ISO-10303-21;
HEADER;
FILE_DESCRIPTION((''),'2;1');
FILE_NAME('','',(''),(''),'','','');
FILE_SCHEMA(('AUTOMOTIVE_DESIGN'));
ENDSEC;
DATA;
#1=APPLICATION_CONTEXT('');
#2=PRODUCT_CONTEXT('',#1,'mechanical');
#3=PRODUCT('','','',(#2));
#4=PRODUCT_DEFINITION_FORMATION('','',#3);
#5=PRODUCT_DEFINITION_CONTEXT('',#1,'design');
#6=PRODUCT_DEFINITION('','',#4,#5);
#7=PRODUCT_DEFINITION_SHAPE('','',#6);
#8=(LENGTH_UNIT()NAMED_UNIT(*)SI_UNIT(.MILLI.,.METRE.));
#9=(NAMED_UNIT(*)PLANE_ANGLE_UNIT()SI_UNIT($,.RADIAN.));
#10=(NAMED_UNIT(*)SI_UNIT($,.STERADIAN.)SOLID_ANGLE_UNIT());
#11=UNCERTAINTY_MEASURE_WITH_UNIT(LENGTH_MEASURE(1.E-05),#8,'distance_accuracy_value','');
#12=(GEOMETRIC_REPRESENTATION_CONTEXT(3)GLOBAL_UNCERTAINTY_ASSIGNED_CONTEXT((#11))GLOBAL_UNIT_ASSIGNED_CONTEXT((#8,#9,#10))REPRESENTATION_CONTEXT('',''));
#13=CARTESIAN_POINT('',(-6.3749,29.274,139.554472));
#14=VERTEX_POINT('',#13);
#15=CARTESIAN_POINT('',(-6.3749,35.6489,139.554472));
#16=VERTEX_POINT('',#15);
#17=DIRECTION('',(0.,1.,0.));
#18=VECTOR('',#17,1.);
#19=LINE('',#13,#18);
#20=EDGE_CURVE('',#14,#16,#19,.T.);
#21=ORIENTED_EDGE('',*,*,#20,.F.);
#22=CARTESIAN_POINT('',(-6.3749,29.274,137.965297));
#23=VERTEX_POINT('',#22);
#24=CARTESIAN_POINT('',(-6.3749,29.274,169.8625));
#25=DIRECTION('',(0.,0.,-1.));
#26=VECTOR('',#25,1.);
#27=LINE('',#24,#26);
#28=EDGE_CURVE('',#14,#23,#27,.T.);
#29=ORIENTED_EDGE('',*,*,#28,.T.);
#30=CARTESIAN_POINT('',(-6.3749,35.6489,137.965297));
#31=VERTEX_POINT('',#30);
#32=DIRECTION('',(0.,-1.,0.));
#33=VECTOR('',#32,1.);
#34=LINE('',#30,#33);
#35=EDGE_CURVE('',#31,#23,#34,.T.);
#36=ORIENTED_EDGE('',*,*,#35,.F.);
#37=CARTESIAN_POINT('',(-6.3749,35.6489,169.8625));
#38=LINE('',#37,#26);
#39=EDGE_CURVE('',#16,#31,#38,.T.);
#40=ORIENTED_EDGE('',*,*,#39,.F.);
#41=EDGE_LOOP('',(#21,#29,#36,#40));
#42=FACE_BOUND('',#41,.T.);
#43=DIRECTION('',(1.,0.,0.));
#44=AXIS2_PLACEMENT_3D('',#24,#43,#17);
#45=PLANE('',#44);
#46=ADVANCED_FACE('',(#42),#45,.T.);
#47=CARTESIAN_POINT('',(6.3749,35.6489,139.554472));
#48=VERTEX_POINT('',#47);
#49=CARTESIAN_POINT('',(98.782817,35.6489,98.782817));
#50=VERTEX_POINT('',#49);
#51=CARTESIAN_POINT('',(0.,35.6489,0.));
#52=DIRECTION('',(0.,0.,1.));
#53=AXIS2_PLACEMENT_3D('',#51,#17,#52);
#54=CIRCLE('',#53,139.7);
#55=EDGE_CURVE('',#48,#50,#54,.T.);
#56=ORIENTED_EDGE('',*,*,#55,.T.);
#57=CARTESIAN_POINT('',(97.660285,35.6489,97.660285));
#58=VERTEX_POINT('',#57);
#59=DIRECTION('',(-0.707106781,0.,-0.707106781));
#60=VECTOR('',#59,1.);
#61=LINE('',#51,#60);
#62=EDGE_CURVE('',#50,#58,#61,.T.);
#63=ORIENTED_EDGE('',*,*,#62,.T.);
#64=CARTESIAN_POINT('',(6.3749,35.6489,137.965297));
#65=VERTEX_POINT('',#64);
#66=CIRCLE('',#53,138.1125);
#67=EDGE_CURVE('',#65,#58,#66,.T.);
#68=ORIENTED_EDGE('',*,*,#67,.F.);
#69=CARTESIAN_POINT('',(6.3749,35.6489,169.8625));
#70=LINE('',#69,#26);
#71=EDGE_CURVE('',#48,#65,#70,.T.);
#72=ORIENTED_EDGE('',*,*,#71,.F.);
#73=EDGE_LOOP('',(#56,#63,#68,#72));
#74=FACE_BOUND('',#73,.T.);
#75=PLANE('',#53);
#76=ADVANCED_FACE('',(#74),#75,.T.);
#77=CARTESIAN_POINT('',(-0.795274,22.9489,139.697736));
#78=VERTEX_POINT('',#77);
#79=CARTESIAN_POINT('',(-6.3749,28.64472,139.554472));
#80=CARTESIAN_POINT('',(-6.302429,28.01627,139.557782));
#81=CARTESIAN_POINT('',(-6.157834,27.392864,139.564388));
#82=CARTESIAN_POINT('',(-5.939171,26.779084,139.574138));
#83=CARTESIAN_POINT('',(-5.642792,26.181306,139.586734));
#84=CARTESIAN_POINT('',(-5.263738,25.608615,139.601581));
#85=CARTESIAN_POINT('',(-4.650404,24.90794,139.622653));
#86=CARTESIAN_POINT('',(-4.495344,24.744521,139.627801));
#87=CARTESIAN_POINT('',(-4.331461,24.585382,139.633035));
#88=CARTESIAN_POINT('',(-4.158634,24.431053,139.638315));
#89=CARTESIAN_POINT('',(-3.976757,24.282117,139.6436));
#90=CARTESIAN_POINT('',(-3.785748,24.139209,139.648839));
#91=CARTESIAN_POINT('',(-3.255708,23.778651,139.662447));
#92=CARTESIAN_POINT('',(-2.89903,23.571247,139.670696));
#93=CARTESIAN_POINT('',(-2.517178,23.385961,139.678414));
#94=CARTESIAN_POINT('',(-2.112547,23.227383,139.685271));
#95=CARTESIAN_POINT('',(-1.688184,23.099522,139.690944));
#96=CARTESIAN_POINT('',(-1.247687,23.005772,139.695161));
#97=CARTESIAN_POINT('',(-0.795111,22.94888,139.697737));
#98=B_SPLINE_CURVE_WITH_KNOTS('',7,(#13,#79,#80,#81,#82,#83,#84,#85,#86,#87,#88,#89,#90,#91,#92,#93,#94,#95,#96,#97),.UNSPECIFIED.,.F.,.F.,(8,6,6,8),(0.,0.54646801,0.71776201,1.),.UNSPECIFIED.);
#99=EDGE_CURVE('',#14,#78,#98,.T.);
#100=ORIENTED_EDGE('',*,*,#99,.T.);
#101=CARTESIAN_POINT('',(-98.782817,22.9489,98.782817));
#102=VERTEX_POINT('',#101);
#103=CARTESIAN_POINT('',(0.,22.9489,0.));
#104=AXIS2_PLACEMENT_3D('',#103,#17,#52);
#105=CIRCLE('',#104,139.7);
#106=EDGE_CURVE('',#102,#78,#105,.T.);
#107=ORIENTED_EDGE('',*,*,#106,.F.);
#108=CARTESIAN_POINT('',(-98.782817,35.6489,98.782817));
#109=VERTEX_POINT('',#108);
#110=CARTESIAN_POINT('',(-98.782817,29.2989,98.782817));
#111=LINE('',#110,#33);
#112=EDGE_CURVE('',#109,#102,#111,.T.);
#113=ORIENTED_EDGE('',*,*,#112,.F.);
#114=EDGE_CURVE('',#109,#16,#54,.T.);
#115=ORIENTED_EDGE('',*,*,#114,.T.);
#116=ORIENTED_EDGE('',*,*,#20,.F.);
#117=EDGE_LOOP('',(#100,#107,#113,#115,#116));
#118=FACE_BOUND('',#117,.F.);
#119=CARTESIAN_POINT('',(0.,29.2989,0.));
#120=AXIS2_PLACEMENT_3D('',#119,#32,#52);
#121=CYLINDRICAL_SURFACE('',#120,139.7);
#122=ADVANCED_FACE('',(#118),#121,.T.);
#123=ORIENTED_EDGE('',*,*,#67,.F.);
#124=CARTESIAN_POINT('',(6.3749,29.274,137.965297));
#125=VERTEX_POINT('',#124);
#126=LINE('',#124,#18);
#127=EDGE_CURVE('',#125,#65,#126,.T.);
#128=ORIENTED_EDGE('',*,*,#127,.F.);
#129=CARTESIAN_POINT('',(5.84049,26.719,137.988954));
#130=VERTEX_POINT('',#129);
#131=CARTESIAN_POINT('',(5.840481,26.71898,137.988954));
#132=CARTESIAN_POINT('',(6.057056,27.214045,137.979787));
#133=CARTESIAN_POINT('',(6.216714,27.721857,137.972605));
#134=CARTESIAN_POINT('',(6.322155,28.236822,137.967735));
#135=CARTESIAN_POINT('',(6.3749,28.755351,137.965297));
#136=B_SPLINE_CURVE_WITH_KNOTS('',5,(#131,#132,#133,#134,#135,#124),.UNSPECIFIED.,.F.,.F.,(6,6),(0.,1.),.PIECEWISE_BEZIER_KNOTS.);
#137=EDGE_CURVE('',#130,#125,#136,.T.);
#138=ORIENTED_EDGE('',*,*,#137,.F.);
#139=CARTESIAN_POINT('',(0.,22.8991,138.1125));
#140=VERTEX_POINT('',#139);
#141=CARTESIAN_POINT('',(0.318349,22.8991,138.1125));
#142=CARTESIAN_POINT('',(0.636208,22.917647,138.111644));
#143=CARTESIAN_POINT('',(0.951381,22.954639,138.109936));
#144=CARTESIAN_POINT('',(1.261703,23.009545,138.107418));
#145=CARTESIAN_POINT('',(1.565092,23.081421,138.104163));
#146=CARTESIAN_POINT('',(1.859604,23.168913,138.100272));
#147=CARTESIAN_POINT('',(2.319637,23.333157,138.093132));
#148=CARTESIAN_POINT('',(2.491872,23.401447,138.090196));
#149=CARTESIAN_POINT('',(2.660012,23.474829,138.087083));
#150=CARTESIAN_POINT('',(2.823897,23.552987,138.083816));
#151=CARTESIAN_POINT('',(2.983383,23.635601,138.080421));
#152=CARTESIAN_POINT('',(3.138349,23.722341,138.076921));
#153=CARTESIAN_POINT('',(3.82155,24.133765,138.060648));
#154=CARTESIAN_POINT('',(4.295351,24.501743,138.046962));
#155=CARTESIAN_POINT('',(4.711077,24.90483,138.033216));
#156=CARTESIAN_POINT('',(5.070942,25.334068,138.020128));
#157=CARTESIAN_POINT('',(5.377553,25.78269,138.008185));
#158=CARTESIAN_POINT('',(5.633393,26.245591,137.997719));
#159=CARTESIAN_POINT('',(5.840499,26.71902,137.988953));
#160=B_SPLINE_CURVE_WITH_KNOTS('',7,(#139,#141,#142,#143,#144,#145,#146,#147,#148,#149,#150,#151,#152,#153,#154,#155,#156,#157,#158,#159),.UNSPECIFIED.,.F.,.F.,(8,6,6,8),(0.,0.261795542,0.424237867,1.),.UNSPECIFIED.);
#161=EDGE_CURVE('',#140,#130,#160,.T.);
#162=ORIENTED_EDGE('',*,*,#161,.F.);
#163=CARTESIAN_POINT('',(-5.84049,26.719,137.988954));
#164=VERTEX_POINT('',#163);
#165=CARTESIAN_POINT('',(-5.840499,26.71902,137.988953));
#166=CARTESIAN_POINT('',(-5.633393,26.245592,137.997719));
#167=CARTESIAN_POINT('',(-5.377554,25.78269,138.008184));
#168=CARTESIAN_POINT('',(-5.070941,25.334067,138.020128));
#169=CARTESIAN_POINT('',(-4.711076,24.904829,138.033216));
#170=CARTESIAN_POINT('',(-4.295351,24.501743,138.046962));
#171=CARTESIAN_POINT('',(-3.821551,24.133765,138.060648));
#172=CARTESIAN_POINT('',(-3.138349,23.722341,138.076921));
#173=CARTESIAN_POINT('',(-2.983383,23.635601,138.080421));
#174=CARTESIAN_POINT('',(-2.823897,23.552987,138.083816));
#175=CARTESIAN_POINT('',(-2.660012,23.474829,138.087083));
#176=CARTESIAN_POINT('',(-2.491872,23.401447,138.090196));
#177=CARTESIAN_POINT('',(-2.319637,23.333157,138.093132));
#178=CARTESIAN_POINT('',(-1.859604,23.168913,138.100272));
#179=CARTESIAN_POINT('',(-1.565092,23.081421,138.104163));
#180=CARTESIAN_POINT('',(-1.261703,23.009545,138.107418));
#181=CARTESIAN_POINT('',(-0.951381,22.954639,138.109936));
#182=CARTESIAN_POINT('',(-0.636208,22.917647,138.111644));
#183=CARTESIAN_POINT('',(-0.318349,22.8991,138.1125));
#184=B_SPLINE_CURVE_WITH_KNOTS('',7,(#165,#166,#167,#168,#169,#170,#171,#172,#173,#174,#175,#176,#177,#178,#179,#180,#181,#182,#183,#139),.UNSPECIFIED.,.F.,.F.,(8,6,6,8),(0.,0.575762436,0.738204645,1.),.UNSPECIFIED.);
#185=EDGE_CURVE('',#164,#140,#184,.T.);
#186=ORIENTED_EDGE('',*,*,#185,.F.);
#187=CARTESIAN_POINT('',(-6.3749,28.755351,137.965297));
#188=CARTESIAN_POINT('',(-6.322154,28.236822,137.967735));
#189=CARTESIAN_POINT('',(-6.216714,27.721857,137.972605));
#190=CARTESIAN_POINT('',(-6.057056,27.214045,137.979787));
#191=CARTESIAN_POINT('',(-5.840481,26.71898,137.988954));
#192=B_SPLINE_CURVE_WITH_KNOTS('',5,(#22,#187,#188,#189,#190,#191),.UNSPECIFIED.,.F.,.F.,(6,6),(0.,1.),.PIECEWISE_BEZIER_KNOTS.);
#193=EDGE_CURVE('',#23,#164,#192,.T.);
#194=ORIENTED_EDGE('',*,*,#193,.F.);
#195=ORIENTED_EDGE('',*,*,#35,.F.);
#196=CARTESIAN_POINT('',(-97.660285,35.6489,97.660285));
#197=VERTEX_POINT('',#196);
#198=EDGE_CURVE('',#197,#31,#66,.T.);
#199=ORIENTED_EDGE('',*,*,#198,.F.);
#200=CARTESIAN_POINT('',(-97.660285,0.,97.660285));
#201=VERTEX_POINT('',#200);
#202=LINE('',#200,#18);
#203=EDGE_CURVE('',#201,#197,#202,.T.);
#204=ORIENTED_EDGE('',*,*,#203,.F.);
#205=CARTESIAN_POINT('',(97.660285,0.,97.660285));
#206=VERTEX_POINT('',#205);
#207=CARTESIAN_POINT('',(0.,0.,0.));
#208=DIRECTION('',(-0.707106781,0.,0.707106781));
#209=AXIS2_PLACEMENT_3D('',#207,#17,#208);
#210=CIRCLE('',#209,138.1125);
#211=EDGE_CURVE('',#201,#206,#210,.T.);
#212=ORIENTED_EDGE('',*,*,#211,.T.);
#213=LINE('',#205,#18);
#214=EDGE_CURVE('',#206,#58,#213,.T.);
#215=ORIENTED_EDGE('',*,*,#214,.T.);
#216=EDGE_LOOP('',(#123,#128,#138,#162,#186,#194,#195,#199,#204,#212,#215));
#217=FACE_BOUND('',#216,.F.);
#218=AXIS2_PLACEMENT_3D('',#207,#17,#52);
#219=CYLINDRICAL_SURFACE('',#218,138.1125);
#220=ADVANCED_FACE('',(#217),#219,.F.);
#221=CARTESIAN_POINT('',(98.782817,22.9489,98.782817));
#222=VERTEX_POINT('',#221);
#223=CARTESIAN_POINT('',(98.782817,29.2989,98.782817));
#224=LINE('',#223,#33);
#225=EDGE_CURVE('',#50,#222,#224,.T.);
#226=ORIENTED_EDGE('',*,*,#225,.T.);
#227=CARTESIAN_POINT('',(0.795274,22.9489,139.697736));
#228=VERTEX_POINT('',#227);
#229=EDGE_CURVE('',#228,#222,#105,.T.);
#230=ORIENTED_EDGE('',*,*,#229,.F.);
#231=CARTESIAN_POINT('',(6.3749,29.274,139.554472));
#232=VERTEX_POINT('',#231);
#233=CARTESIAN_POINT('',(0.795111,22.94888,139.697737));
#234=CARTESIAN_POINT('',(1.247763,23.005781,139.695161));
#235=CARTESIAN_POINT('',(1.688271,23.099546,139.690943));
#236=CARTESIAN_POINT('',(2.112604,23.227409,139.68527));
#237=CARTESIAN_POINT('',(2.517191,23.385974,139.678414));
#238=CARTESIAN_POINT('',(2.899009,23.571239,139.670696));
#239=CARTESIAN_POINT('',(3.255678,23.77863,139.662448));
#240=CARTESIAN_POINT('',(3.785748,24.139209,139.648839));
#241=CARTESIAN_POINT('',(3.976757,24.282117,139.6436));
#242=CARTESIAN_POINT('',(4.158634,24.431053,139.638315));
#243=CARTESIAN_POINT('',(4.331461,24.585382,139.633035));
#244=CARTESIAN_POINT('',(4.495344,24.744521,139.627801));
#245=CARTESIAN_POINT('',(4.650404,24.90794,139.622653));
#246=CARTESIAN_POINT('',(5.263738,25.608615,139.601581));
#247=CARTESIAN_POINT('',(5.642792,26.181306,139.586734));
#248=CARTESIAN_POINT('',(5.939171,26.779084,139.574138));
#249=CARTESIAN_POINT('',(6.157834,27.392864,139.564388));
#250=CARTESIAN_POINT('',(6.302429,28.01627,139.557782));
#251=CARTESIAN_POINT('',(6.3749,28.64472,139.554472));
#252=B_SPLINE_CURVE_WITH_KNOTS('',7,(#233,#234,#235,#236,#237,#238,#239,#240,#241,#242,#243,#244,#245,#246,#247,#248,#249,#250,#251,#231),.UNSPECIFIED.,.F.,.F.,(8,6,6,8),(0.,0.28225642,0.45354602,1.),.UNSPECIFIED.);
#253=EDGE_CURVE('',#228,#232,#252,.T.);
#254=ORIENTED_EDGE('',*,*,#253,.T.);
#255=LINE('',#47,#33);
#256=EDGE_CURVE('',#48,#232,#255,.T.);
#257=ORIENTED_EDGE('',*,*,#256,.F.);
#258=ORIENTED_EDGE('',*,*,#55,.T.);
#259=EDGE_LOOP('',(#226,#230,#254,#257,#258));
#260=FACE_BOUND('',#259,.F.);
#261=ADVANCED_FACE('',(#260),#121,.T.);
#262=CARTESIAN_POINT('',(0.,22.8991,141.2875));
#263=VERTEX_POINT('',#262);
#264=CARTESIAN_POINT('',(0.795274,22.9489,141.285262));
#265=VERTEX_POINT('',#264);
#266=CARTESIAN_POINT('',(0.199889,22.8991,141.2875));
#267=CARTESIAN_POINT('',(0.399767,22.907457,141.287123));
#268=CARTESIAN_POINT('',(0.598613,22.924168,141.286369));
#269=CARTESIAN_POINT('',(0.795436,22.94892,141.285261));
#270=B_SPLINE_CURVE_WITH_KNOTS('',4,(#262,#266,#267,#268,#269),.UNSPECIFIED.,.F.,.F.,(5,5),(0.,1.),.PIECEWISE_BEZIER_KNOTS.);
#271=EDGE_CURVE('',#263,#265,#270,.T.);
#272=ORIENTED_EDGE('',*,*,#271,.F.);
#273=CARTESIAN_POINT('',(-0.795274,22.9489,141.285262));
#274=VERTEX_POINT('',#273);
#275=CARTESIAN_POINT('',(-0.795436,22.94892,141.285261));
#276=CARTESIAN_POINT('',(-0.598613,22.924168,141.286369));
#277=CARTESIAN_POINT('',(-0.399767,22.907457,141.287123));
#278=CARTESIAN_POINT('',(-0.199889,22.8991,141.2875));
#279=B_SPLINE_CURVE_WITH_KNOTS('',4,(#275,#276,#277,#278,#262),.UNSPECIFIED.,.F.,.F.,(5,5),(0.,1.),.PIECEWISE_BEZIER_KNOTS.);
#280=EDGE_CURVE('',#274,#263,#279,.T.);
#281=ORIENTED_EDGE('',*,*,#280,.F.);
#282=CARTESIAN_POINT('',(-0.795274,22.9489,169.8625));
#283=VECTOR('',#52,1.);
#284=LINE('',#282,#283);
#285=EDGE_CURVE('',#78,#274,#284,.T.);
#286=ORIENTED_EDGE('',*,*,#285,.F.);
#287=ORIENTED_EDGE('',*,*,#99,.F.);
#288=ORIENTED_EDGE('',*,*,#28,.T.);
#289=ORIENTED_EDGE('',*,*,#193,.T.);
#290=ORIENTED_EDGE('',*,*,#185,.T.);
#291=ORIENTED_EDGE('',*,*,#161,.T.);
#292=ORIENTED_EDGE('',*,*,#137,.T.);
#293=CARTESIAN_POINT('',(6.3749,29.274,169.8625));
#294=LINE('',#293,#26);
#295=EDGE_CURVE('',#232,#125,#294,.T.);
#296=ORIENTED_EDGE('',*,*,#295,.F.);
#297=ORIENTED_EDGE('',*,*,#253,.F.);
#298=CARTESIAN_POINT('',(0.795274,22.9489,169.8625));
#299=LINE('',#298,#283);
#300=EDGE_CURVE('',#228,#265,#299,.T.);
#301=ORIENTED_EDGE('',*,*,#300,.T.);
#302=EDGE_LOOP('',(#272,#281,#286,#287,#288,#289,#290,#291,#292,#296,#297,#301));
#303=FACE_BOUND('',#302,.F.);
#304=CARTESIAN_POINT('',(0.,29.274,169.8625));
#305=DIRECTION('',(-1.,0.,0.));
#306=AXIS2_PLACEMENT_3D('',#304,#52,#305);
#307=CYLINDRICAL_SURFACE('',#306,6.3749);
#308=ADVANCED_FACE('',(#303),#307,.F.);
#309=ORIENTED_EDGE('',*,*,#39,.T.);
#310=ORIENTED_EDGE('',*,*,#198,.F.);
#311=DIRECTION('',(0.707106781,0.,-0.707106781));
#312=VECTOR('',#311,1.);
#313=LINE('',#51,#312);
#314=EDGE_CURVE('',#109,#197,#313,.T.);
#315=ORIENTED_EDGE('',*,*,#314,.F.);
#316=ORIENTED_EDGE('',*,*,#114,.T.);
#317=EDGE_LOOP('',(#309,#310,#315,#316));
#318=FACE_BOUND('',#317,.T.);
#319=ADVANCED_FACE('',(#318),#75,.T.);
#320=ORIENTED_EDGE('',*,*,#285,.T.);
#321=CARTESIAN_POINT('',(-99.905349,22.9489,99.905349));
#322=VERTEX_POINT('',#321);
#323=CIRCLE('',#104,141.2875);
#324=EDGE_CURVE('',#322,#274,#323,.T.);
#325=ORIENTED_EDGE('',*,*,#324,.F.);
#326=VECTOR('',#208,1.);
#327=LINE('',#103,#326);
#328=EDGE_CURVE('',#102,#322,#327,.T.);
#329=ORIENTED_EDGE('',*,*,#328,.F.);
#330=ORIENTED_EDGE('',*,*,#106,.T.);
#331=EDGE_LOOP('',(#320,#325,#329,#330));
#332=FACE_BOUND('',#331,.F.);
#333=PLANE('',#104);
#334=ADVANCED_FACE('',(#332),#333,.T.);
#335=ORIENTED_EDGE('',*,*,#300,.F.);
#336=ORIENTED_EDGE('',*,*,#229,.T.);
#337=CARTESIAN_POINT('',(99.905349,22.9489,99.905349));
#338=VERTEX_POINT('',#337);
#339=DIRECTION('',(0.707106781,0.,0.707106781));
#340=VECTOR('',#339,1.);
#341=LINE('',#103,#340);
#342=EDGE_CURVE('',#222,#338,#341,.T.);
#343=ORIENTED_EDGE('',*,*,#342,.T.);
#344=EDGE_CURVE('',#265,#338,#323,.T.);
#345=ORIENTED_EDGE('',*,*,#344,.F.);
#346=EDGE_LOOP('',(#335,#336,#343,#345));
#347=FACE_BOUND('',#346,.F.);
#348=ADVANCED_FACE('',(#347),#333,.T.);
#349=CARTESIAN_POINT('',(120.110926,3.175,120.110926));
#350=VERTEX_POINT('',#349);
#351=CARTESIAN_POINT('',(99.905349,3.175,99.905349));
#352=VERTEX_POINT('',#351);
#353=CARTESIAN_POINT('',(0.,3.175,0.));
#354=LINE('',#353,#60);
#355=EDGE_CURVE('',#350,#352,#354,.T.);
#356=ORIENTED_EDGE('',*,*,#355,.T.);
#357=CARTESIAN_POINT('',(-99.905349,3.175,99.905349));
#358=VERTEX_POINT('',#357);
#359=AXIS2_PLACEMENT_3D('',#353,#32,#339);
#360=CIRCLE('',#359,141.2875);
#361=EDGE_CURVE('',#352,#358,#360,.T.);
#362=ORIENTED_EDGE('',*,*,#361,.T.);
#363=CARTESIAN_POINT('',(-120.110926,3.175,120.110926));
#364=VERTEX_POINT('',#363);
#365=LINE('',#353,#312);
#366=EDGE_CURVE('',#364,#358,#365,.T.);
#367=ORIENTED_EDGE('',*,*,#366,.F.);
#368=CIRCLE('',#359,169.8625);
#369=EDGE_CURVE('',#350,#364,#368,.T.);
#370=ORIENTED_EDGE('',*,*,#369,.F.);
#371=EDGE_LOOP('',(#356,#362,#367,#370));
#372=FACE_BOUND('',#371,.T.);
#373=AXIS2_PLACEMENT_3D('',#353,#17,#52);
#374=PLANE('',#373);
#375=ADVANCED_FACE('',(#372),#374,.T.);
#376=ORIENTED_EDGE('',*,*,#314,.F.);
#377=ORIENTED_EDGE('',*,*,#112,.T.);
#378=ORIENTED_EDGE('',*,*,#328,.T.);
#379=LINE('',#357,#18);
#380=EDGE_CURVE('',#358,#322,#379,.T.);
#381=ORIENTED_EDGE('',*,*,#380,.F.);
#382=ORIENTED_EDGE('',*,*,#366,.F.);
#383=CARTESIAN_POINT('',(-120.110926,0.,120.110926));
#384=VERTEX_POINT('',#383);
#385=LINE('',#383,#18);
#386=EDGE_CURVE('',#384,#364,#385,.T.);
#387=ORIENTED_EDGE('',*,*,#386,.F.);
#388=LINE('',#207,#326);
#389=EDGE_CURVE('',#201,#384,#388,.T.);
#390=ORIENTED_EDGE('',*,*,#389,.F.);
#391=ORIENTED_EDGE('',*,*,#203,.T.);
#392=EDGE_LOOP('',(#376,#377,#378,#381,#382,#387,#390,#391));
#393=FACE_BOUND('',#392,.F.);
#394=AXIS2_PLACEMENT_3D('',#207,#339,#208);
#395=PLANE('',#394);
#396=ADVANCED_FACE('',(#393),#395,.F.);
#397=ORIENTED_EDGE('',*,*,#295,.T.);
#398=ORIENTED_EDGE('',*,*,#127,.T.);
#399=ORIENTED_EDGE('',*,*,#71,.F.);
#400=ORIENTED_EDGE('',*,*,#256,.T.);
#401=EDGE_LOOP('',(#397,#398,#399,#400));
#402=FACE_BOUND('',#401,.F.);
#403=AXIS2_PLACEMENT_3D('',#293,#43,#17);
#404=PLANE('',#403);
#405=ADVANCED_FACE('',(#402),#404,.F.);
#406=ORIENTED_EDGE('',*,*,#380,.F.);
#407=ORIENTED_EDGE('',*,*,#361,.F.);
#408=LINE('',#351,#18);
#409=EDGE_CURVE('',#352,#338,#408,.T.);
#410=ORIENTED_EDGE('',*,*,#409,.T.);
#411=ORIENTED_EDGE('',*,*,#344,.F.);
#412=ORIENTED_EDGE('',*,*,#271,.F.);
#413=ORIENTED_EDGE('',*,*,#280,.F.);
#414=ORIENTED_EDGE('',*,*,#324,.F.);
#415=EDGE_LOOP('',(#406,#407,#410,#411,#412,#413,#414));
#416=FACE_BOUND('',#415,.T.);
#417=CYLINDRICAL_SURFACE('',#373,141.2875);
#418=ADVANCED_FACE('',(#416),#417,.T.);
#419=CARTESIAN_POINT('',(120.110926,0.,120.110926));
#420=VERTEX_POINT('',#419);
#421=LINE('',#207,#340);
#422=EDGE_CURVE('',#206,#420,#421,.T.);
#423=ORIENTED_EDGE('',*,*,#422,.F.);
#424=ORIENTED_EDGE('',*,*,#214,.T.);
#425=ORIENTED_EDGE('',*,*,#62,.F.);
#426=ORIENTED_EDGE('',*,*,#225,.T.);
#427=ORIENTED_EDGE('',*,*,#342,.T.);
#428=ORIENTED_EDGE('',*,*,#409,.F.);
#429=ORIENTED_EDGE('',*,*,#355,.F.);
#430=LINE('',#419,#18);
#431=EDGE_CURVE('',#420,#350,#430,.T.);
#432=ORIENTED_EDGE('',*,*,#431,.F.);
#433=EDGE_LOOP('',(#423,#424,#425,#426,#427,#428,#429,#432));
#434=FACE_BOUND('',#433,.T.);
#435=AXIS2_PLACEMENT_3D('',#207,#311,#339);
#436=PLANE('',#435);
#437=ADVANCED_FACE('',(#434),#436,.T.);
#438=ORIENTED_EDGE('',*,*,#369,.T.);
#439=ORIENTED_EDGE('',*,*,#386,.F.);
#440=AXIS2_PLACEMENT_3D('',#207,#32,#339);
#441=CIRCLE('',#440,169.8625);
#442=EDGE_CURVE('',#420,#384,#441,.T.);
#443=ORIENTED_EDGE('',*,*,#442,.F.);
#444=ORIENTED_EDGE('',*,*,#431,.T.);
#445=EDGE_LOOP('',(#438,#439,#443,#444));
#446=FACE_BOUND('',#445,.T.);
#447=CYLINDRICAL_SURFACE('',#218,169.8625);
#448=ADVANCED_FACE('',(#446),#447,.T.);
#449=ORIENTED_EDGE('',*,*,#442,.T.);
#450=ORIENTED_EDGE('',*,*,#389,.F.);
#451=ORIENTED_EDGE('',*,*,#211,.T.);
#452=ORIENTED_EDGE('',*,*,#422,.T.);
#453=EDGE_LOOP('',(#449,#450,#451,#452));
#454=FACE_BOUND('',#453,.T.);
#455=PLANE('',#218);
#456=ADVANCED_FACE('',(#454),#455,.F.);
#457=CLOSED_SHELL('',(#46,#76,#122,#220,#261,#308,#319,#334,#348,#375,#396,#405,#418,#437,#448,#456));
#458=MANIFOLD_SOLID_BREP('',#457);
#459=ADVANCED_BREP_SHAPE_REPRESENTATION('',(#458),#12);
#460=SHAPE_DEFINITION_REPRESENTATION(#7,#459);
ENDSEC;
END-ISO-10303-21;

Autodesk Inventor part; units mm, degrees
ref_plane "YZ Plane" through (0, 0, 0) normal (1, 0, 0) x (0, 1, 0)
ref_plane "XZ Plane" through (0, 0, 0) normal (0, 1, 0) x (-1, 0, 0)
ref_plane "XY Plane" through (0, 0, 0) normal (0, 0, 1) x (1, 0, 0)
sketch "Sketch1" plane through (0, 0, 0) normal (1, 0, 0) x (0, 1, 0)
  line L0 (0, 0) -> (50.8, 0)
  line L1 (0, 138.1125) -> (26.719, 138.1125)
  line L2 (0, 138.1125) -> (0, 169.8625)
  line L3 (0, 169.8625) -> (3.175, 169.8625)
  line L4 (3.175, 169.8625) -> (3.175, 141.2875)
  line L5 (3.175, 141.2875) -> (22.9489, 141.2875)
  line L6 (60.325, 141.2875) -> (60.325, 179.3875)
  line L7 (60.325, 179.3875) -> (63.5, 179.3875)
  line L8 (63.5, 179.3875) -> (63.5, 138.1125)
  line L9 (35.6489, 138.1125) -> (26.719, 138.1125)
  line L10 (29.2989, 139.7) -> (22.9489, 139.7)
  line L11 (22.9489, 139.7) -> (22.9489, 141.2875)
  line L12 (29.2989, 139.7) -> (35.6489, 139.7)
  line L13 (35.6489, 139.7) -> (35.6489, 138.1125)
  line L14 (29.2989, 166.1379) -> (29.2989, 141.2875)
  line L15 (29.2989, 138.1125) -> (29.2989, 120.1049)
  point P0 (62.1333, 179.3875)
  point P1 (1.5875, 169.8625)
  dimension "d0" = 50.8
  dimension "d1" = 138.1125
  dimension "d2" = 31.75
  dimension "d3" = 3.175
  dimension "d4" = 3.175
  dimension "d5" = 57.15
  dimension "d6" = 38.1
  dimension "d7" = 3.175
  dimension "d13" = 26.1239
  dimension "d14" = 1.5875
  dimension "d15" = 6.35
  dimension "d16" = 6.35
revolve "Revolution1" add sketch "Sketch1" angle 360 about axis through (0, 0, 0) along (0, 1, 0)
ref_plane "Work Plane2" through (0, 1.5875, 169.8625) normal (0, 0, 1) x (1, 0, 0)
sketch "Sketch3" plane through (0, 1.5875, 169.8625) normal (0, 0, 1) x (1, 0, 0)
  arc A0 (-6.3749, 27.6865) -> (6.3749, 27.6865) centre (0, 27.6865) ccw
  line L0 (138.1125, 34.0614) -> (-138.1125, 34.0614) projected
  line L1 (-6.3749, 27.6865) -> (-6.3749, 34.0614)
  line L2 (6.3749, 27.6865) -> (6.3749, 34.0614)
  point P0 (0, -1.5875)
  point P1 (0, 17.4621)
extrude "Extrusion2" cut sketch "Sketch3" against normal through all
sketch "Sketch4" plane through (0, 0, 0) normal (0, -1, 0) x (1, 0, 0)
  line L0 (0, 0) -> (-198.1259, 198.1259)
  line L1 (0, 0) -> (280.1923, 0) construction
  line L2 (-198.1259, 198.1259) -> (-198.1259, -227.7187)
  line L3 (-198.1259, -227.7187) -> (214.1573, -227.7187)
  line L4 (0, 0) -> (198.1259, 198.1259)
  line L5 (198.1259, 198.1259) -> (214.1573, -227.7187)
  dimension "d19" = 135
  dimension "d20" = 90
extrude "Extrusion3" cut sketch "Sketch4" against normal through all
properties part number "Layer2_Bottom_Quarter"
